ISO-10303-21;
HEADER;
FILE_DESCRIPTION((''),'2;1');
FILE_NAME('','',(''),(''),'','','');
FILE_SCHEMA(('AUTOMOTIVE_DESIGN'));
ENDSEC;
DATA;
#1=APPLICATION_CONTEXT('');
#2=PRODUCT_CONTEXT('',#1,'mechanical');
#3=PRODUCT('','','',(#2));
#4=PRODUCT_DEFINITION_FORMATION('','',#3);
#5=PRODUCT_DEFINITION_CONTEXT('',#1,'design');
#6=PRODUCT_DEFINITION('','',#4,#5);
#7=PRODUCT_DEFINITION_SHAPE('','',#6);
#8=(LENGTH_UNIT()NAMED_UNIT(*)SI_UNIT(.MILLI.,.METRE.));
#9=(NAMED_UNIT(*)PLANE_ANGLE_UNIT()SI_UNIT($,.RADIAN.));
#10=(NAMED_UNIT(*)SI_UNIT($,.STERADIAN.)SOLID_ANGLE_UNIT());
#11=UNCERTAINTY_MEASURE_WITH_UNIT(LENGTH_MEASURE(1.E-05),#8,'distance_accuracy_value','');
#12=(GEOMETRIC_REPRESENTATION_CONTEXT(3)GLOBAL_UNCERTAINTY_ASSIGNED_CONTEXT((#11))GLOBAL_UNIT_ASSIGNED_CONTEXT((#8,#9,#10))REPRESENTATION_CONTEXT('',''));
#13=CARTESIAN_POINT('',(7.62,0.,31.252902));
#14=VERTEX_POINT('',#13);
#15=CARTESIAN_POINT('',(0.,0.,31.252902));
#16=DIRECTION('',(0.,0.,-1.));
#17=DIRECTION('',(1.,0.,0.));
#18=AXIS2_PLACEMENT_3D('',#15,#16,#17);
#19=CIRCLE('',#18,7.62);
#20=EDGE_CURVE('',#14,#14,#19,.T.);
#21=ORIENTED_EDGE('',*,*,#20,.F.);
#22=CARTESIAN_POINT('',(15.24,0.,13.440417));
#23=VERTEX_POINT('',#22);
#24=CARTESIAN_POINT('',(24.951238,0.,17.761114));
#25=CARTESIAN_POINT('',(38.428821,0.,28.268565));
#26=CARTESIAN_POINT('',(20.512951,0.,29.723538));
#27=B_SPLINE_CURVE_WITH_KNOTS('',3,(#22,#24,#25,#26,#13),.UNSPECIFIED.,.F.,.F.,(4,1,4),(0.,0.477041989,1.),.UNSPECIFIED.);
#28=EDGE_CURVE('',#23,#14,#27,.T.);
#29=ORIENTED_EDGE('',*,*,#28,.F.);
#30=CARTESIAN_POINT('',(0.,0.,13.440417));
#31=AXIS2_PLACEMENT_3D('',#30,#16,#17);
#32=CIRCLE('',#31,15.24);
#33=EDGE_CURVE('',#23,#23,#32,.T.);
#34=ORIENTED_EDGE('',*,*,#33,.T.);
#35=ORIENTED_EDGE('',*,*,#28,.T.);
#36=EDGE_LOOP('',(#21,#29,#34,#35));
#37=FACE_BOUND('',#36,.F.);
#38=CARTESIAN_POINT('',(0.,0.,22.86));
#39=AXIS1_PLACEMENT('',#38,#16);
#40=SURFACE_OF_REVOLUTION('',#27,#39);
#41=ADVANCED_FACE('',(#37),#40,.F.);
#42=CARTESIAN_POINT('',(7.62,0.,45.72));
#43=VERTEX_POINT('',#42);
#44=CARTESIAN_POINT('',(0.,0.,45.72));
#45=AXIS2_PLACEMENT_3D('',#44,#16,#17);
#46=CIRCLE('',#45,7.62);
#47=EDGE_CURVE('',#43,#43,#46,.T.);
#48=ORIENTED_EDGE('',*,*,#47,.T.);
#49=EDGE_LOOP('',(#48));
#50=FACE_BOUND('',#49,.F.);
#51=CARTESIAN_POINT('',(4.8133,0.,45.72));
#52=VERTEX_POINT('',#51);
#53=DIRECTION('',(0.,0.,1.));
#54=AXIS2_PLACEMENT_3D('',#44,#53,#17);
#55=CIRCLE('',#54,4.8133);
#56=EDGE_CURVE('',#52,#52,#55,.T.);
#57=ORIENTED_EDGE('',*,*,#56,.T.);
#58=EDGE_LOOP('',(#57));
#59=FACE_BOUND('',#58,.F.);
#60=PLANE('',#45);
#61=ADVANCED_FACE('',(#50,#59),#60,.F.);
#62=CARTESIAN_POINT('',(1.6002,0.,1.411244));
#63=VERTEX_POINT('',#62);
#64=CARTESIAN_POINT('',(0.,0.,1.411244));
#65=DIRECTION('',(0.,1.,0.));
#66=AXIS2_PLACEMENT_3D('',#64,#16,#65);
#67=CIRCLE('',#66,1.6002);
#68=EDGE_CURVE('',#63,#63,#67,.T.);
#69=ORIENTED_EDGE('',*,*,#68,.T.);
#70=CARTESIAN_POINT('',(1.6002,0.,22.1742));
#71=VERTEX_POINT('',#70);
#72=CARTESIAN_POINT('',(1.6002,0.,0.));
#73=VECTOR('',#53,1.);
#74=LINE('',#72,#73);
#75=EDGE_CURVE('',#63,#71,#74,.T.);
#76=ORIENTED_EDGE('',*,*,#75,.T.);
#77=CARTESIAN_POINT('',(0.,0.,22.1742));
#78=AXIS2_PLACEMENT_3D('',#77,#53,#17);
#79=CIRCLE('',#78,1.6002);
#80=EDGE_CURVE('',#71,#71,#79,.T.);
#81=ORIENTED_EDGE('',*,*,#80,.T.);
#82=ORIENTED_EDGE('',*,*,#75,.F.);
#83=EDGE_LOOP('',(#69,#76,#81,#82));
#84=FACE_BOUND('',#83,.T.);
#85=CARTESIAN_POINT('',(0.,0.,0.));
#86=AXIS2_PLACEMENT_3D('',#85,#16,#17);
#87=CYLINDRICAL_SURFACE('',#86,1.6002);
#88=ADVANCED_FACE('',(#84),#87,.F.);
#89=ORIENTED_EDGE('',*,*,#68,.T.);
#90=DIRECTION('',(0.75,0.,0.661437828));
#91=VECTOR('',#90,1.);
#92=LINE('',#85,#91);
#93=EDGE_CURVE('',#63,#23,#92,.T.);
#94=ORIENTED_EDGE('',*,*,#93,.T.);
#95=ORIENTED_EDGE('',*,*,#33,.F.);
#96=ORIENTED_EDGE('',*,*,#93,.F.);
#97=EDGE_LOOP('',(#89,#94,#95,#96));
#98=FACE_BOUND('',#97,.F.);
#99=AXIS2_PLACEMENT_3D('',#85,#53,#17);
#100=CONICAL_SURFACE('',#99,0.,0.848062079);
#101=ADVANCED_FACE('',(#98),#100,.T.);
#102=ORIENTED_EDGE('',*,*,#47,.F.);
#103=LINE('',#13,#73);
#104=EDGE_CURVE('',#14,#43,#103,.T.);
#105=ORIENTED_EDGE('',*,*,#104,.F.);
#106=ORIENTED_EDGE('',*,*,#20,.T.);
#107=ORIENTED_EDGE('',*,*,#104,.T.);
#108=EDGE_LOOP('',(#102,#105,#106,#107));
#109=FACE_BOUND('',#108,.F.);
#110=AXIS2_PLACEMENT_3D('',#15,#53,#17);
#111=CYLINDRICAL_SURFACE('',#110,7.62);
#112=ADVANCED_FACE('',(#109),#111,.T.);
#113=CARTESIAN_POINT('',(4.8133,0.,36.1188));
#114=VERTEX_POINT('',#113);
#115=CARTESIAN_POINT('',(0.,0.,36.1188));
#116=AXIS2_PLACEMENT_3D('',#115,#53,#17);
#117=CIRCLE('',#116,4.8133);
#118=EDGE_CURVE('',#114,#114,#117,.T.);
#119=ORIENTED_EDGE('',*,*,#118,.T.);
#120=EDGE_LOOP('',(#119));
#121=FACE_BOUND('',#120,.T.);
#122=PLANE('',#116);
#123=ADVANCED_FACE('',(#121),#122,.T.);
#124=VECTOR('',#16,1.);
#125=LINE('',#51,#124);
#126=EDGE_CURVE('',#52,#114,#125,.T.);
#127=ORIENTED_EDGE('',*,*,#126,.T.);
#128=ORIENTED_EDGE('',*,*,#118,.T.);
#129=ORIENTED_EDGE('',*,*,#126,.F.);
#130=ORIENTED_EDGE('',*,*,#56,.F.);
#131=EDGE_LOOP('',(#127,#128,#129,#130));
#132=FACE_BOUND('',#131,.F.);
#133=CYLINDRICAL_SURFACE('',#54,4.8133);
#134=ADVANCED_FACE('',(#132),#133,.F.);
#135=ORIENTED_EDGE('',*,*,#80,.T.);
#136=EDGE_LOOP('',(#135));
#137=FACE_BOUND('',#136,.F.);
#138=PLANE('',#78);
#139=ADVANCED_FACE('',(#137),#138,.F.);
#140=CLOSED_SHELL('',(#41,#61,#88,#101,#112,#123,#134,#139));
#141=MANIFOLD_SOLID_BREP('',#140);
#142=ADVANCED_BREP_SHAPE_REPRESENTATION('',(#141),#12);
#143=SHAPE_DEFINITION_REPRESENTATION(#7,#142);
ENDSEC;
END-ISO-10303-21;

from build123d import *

# Parameters (mm, degrees)
F2_R     = 4.8133
F3_DEPTH = 9.6012
F4_R     = 1.6002
F5_DEPTH = 22.1742


with BuildPart() as f1:
    # F0 (on Front) → F1 (revolve)
    with BuildSketch(Plane.XZ):
        with BuildLine():
            add(Edge.make_bspline(
                [(15.24, 13.4404166602), (24.9512382846, 17.761113573), (38.4288212127, 28.2685653314), (20.5129507573, 29.7235381078), (7.62, 31.2529022536)],
                knots=[0, 0, 0, 0, 0.4770419895, 1, 1, 1, 1], degree=3))
            Line((7.62, 31.2529022536), (7.62, 45.72))
            Line((7.62, 45.72), (0, 45.72))
            Line((0, 45.72), (0, 0))
            Line((0, 0), (15.24, 13.4404166602))
        make_face()
    revolve(axis=Axis((0, 0, 22.86), (0, 0, -1)))

    # F2 (on face) → F3 (cut)
    with BuildSketch(Plane.XY.offset(45.72)):
        Circle(F2_R)
    extrude(amount=-F3_DEPTH, mode=Mode.SUBTRACT)

    # F4 (on Top) → F5 (cut)
    with BuildSketch(Plane.XY):
        Circle(F4_R)
    extrude(amount=F5_DEPTH, mode=Mode.SUBTRACT)


solid = f1.part
